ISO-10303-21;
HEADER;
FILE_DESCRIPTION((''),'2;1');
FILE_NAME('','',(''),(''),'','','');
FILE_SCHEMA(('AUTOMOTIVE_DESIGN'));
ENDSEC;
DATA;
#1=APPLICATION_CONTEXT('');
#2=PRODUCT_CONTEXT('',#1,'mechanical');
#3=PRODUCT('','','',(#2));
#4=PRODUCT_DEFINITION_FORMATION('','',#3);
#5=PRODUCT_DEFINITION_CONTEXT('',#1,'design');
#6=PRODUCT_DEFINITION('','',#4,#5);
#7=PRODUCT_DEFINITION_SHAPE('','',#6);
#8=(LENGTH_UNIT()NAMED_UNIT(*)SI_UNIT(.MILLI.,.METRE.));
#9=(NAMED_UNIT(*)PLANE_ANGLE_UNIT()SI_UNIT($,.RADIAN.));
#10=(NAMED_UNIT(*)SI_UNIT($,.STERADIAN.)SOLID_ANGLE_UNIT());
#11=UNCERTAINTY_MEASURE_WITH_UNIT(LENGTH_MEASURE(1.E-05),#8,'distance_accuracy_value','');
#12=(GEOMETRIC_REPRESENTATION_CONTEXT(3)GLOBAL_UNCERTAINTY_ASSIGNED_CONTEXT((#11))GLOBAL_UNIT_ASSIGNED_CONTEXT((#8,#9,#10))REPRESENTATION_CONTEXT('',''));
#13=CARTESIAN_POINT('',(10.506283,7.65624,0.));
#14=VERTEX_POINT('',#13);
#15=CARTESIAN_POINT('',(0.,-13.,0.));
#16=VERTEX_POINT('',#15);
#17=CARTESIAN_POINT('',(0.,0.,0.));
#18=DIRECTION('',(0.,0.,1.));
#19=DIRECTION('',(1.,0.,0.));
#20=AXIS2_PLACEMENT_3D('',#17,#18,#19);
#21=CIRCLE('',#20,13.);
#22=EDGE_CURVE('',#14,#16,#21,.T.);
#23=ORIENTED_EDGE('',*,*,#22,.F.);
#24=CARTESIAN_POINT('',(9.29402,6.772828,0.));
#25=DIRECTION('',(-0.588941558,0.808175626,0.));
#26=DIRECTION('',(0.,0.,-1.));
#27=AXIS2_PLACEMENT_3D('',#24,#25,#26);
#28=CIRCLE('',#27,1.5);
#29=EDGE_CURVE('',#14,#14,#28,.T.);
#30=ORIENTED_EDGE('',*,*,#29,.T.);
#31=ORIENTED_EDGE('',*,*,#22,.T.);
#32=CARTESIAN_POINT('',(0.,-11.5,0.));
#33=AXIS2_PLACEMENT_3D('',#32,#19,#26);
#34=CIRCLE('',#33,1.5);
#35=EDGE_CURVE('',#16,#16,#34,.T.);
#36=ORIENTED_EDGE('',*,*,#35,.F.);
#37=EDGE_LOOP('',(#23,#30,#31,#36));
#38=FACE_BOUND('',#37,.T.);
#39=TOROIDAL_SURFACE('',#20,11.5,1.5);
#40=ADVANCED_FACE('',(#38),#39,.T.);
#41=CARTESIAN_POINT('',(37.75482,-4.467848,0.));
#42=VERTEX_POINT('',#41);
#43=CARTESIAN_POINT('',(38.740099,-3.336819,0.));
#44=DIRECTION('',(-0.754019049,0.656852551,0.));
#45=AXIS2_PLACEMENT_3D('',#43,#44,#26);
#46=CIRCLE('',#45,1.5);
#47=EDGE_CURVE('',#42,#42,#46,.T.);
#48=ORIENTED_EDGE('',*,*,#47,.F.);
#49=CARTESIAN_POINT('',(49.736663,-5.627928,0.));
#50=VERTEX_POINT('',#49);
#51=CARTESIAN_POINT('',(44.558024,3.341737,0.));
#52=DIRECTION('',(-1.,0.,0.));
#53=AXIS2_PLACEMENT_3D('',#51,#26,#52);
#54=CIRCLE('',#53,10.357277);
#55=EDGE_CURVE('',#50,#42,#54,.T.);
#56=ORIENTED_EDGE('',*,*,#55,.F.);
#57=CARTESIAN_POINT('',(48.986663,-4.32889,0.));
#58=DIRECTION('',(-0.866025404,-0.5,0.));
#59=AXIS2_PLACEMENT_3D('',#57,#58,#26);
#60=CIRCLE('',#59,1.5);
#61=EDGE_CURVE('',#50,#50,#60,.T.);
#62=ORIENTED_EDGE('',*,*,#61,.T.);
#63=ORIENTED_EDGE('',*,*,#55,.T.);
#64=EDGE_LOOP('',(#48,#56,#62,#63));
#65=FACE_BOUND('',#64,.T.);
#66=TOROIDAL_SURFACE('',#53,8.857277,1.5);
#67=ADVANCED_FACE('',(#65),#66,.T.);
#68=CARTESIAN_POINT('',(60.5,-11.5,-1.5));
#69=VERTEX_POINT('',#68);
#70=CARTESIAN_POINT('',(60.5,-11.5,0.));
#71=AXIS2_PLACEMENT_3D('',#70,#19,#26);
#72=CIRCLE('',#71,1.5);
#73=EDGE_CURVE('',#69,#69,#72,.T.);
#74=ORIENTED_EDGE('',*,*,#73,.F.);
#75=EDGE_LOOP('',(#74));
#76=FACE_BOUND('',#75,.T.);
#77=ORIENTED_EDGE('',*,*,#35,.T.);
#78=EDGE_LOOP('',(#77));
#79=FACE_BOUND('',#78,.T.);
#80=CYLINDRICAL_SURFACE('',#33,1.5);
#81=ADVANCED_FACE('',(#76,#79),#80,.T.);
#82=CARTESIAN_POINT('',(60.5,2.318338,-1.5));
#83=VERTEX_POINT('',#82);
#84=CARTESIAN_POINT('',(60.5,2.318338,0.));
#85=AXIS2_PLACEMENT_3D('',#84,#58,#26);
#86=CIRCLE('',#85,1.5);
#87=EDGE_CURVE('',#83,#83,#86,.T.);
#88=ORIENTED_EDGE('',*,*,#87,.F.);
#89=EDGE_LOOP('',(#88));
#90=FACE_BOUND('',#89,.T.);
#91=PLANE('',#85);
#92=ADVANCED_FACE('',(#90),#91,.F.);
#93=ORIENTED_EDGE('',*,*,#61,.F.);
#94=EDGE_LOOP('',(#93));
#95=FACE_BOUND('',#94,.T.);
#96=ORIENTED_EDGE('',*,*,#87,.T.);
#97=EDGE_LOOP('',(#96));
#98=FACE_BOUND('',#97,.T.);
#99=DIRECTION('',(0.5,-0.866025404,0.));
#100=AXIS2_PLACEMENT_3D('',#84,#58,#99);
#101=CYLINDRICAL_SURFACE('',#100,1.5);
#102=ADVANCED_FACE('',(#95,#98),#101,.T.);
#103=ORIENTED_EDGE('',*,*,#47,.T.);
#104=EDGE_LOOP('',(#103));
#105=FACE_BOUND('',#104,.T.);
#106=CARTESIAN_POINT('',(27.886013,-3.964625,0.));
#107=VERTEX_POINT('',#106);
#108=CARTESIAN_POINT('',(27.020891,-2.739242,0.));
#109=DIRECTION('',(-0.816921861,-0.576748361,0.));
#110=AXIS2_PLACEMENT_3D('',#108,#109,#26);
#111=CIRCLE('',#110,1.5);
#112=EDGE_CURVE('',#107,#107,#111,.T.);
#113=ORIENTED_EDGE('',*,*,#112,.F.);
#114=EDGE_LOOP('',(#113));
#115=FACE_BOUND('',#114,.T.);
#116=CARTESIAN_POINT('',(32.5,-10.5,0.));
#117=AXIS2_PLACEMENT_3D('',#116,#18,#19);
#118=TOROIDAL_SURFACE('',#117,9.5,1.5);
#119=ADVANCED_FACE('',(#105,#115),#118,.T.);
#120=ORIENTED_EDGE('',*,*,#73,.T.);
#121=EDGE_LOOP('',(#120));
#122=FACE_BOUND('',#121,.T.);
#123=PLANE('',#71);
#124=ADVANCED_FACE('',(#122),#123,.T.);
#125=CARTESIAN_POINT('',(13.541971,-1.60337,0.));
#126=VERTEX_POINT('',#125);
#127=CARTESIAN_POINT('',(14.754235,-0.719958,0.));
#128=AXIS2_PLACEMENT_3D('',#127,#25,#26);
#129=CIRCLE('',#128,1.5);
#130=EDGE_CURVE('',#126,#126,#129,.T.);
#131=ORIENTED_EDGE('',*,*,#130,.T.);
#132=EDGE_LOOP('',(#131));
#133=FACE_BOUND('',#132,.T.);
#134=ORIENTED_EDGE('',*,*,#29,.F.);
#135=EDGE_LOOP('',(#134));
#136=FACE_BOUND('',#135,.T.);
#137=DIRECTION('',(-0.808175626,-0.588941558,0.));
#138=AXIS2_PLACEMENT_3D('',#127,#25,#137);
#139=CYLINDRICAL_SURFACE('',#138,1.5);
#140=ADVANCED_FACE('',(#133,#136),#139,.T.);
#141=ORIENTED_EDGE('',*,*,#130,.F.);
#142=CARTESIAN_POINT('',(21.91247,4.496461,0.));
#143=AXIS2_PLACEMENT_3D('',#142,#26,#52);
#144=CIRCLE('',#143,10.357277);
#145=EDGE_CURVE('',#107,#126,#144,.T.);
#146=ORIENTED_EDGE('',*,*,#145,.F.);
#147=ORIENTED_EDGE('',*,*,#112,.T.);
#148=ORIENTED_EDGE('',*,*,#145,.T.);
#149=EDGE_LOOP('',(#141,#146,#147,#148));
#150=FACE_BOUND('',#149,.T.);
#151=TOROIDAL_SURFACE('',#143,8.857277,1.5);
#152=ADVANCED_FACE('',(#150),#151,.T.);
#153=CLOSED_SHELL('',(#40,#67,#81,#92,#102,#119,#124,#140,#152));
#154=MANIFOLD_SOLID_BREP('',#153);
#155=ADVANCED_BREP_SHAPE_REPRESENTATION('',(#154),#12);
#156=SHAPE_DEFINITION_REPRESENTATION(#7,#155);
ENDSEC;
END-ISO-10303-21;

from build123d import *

# Parameters (mm, degrees)
SZKIC2_R = 1.5


with BuildPart() as part:
    # Wyciągnięcie po ścieżce1: sweep along a path in Szkic1
    with BuildLine(Plane.XY) as wyci_gni_cie_po_cie_ce1_path:
        Line((60.5, -11.5), (0, -11.5))
        ThreePointArc((0, -11.5), (-10.250305385, 5.213563034), (9.294019694, 6.772827912))
        Line((9.294019694, 6.772827912), (14.754234774, -0.719957545))
        ThreePointArc((14.754234774, -0.719957545), (20.473785722, -4.243192601), (27.020890568, -2.739242316))
        ThreePointArc((27.020890568, -2.739242316), (32.983788023, -1.012326463), (38.740099231, -3.336819032))
        ThreePointArc((38.740099231, -3.336819032), (43.704455056, -5.474315656), (48.98666307, -4.328890373))
        Line((48.98666307, -4.328890373), (60.5, 2.318337803))
    # Szkic2 → Wyciągnięcie po ścieżce1 (sweep)
    with BuildSketch(Plane(origin=(60.5, -11.5, 0), x_dir=(0, 0, -1), z_dir=(1, 0, 0))):
        Circle(SZKIC2_R)
    sweep(path=wyci_gni_cie_po_cie_ce1_path.line)


solid = part.part
